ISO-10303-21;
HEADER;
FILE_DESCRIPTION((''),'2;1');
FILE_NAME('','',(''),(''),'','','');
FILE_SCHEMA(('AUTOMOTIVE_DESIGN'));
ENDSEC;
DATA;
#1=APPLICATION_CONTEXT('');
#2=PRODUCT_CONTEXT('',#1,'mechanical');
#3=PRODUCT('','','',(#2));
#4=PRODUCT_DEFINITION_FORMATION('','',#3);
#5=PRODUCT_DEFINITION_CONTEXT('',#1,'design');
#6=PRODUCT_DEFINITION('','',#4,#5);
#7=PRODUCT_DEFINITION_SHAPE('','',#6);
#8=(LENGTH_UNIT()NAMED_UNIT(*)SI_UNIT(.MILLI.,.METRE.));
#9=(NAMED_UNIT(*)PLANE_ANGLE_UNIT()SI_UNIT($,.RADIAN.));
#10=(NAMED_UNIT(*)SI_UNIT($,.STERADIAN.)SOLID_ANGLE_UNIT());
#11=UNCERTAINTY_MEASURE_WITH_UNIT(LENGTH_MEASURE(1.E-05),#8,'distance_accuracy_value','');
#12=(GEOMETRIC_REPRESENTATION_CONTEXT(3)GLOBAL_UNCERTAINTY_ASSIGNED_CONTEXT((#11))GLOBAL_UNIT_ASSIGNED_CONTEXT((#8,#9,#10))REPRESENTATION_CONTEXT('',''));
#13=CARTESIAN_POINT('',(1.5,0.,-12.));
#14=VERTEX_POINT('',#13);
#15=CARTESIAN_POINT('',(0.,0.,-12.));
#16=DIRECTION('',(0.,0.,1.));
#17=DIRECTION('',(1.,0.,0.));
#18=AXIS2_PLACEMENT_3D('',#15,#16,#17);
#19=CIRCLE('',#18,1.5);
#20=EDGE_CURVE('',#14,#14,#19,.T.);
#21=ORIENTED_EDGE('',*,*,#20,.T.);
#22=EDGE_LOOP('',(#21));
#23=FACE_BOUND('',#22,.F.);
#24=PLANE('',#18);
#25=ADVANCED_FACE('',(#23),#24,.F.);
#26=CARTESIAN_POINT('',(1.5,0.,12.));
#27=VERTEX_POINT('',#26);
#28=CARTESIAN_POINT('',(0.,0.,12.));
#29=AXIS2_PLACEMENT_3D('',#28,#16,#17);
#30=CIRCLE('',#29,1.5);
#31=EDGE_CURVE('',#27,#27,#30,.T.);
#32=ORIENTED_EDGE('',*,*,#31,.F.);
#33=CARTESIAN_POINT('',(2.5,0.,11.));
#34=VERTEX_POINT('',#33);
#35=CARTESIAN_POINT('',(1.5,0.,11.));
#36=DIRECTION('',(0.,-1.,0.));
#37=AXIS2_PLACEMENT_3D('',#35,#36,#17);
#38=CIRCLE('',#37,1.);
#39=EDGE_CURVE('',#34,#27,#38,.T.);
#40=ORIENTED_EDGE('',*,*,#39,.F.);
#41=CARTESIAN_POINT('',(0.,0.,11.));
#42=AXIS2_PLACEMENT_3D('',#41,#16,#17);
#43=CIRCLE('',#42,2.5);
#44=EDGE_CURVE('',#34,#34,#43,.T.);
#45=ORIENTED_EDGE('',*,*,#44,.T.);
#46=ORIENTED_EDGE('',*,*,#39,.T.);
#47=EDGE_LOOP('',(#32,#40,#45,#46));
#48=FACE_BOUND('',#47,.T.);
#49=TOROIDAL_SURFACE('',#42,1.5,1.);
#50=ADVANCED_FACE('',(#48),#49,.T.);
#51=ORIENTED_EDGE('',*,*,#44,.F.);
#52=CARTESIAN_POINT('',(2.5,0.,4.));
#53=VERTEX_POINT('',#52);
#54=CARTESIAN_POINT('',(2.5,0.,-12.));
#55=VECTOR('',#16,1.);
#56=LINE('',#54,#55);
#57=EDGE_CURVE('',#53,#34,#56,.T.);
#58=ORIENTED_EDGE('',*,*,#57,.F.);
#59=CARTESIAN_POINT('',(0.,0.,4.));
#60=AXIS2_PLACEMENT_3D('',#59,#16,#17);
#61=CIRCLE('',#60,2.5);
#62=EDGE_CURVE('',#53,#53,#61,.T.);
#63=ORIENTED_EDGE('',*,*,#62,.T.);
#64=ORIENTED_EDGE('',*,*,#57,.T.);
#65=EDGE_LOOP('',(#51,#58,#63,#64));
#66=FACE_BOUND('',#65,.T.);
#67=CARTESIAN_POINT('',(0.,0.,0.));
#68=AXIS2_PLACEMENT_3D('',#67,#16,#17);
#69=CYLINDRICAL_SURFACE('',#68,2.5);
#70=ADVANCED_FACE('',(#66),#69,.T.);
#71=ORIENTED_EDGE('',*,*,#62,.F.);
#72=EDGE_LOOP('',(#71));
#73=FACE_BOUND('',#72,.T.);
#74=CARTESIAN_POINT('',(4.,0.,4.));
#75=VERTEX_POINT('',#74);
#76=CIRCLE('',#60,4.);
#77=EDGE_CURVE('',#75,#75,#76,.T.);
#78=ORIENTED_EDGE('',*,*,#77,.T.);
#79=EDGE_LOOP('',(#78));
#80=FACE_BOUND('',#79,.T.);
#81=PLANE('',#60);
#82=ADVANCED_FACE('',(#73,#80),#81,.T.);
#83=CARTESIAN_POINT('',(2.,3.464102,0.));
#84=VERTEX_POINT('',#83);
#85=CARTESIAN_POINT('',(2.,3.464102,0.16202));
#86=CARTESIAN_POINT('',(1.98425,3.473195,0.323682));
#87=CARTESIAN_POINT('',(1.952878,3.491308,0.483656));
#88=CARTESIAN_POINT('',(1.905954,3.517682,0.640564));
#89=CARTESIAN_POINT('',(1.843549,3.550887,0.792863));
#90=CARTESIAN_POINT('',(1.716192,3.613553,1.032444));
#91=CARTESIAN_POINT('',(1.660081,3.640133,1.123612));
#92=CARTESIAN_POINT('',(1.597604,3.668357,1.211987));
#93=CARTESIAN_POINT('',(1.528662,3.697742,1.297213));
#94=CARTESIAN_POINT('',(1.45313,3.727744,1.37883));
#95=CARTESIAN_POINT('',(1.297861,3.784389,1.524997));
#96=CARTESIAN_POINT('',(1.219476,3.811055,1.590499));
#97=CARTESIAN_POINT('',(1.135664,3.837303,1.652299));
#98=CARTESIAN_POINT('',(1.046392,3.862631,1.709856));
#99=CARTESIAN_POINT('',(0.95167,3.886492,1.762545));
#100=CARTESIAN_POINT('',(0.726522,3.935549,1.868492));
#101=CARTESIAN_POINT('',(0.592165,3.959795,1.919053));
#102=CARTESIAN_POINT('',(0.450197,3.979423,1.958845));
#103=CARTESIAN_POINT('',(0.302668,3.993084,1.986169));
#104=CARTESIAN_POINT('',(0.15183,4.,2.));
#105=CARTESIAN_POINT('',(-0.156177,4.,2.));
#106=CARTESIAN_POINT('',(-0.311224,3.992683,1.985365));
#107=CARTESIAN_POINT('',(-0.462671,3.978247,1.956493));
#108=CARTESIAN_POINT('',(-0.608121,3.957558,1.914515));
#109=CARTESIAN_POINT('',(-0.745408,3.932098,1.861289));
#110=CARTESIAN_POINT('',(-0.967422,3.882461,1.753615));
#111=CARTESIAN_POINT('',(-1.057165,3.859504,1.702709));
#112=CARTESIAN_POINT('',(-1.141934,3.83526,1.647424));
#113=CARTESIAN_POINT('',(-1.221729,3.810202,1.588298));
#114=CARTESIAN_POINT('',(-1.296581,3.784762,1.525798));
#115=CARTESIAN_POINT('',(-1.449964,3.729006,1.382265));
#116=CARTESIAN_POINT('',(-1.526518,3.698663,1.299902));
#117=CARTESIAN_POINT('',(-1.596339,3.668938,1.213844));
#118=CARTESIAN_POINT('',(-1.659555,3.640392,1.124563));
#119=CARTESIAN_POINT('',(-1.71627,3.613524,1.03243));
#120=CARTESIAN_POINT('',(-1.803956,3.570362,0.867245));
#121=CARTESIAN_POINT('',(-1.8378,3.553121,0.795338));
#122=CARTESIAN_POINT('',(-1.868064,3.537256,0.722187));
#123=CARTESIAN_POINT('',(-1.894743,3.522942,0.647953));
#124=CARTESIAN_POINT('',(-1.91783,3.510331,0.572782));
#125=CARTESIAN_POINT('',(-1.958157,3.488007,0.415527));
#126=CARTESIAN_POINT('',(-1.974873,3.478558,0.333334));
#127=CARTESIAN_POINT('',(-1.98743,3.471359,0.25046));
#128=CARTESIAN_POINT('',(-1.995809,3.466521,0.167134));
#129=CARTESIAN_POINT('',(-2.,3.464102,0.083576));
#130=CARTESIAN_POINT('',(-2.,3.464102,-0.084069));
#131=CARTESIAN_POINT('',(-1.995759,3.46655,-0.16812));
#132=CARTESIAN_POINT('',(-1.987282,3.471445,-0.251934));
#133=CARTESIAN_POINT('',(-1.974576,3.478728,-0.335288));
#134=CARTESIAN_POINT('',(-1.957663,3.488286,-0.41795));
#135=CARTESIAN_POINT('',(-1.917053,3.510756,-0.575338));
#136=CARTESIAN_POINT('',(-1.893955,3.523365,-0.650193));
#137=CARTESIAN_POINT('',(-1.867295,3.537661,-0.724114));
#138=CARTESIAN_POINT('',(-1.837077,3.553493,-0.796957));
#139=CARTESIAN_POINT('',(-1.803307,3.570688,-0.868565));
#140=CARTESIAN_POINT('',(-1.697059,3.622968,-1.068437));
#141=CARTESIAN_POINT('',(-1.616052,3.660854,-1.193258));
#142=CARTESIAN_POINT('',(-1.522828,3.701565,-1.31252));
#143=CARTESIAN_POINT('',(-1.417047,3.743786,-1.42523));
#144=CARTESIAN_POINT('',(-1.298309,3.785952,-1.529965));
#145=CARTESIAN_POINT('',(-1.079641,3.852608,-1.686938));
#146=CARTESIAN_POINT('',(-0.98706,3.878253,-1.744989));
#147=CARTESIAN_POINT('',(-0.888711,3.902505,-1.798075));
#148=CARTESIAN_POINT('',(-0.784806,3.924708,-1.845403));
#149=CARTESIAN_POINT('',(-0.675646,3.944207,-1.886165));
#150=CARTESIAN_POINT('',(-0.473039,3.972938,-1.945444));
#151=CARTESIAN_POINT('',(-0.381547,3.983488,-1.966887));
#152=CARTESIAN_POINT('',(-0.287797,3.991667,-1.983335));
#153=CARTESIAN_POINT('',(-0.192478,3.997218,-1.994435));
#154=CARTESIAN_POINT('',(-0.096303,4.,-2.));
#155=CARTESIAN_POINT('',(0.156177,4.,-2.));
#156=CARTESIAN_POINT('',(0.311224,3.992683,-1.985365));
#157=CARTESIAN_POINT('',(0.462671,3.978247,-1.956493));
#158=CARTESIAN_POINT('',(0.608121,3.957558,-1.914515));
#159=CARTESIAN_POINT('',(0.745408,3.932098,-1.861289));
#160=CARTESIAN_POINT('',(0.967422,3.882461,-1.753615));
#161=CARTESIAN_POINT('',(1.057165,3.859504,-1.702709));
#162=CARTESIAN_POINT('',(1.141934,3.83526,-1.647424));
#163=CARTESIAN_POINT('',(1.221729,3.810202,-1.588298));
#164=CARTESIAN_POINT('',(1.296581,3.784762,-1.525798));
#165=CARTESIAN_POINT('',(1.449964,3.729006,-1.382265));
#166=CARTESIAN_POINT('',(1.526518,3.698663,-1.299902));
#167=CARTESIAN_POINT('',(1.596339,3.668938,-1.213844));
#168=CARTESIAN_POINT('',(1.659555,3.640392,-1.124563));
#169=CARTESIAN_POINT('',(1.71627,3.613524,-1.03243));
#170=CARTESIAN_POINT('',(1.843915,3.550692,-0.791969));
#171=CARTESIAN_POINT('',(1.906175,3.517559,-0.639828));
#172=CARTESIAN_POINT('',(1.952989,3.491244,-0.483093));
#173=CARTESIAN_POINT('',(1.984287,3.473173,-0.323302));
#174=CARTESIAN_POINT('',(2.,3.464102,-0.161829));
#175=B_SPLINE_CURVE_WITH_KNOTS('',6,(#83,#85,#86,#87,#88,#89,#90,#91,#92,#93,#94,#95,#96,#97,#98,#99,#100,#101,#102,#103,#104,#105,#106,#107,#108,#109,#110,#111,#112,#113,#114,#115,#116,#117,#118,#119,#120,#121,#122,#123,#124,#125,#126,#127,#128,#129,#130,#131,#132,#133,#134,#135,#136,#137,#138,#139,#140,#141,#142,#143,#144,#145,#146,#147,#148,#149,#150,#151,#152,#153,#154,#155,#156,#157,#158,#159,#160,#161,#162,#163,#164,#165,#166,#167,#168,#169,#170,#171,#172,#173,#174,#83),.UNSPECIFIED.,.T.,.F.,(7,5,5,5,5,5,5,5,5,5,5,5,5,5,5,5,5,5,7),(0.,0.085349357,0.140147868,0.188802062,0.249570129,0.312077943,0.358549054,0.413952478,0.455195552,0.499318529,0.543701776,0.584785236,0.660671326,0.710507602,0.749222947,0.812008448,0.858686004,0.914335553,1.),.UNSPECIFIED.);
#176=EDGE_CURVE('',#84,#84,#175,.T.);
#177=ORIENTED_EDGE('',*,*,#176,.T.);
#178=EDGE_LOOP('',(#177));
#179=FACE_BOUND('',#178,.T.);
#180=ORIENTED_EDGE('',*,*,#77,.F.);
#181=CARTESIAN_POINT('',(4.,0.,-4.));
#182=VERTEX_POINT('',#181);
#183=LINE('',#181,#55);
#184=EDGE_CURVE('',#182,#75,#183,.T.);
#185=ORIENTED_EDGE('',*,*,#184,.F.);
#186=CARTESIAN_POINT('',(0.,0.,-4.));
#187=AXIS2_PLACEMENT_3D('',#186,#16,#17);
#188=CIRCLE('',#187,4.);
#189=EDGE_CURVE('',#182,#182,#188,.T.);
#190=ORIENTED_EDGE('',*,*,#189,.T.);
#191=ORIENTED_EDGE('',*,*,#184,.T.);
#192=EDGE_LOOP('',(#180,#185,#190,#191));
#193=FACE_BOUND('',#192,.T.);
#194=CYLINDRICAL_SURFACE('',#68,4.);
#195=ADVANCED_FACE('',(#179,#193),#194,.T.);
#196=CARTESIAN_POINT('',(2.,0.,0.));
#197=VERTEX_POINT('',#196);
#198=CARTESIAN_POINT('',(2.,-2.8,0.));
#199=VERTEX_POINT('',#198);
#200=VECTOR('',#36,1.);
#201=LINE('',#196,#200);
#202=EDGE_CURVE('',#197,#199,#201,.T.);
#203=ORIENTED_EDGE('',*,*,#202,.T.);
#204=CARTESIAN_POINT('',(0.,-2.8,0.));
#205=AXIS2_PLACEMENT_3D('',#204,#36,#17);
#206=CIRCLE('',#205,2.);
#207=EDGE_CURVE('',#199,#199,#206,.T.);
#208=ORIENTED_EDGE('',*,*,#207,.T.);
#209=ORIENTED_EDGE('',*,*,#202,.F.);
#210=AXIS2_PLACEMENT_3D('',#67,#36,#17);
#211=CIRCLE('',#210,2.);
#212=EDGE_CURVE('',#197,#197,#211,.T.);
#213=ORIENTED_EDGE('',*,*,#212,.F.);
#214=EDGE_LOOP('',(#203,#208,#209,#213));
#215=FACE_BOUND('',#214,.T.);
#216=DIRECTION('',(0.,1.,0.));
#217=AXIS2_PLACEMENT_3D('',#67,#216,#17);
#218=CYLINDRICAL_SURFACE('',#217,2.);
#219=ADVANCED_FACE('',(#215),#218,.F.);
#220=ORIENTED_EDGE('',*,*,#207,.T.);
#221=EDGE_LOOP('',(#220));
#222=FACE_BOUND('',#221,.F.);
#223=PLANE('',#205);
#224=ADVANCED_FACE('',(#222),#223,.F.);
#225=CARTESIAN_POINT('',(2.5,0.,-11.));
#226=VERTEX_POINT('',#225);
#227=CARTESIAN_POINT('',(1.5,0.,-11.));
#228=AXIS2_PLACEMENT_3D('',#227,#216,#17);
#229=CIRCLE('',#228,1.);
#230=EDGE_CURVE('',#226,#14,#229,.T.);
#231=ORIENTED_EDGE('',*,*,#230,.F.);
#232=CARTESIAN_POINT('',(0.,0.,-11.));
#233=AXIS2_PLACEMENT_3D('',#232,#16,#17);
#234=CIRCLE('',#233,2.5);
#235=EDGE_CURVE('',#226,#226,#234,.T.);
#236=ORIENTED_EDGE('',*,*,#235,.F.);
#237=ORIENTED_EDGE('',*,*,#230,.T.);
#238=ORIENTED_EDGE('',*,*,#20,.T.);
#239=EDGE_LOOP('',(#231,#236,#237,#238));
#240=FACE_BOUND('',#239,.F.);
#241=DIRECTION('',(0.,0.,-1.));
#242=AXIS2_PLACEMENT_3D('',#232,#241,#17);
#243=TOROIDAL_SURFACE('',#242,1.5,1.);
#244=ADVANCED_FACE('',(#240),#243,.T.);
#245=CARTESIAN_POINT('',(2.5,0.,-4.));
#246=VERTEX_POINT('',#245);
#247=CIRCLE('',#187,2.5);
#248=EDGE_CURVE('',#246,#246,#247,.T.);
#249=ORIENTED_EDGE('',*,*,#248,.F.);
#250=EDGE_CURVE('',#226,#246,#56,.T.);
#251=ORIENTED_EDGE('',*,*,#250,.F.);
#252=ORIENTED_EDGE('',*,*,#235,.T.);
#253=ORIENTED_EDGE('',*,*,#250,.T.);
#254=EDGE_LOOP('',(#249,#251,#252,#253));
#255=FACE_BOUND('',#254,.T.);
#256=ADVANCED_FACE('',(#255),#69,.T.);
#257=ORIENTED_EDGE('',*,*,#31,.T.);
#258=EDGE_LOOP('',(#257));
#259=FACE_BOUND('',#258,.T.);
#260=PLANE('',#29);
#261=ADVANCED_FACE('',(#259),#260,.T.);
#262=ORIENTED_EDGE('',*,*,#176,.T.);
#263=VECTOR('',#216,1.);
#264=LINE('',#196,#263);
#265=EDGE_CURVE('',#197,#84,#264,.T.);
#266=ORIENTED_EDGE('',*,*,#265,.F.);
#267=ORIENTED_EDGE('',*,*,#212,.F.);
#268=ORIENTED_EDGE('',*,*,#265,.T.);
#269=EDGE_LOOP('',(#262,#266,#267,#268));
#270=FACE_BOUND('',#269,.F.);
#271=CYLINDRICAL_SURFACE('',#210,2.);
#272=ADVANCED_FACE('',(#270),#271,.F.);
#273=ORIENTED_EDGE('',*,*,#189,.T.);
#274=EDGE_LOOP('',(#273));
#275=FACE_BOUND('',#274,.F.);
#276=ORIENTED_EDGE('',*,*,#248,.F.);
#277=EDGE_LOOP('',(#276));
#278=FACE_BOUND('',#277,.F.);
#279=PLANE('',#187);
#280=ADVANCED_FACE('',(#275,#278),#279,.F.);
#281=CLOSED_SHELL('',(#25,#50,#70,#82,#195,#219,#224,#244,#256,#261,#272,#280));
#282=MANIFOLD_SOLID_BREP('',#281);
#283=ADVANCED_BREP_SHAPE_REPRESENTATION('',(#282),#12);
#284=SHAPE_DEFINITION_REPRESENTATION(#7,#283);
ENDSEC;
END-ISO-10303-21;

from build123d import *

# Parameters (mm, degrees)
F0_R     = 2.5
F1_DEPTH = 12
F2_DEPTH = 12
F0_R_2   = 4
F3_DEPTH = 4
F4_DEPTH = 4
F5_R     = 1
F6_R     = 2
F7_DEPTH = 4.2
F8_DEPTH = 2.8


with BuildPart() as f1:
    # F0 (on Top) → F1 (new body)
    with BuildSketch(Plane.XY):
        Circle(F0_R)
    extrude(amount=F1_DEPTH)

    # F0 (on Top) → F2 (join)
    with BuildSketch(Plane.XY):
        Circle(F0_R)
    extrude(amount=-F2_DEPTH)

    # F0 (on Top) → F3 (join)
    with BuildSketch(Plane.XY):
        Circle(F0_R_2)
        Circle(F0_R, mode=Mode.SUBTRACT)
    extrude(amount=F3_DEPTH)

    # F0 (on Top) → F4 (join)
    with BuildSketch(Plane.XY):
        Circle(F0_R_2)
        Circle(F0_R, mode=Mode.SUBTRACT)
    extrude(amount=-F4_DEPTH)

    # F5
    f5_edges = [f1.edges().sort_by_distance(p)[0] for p in [
        (-2.5, 0, 12),
        (-2.5, 0, -12),
    ]]
    fillet(f5_edges, radius=F5_R)

    # F6 (on Front) → F7 (cut)
    with BuildSketch(Plane.XZ):
        Circle(F6_R)
    extrude(amount=-F7_DEPTH, mode=Mode.SUBTRACT)

    # F6 (on Front) → F8 (cut)
    with BuildSketch(Plane.XZ):
        Circle(F6_R)
    extrude(amount=F8_DEPTH, mode=Mode.SUBTRACT)


solid = f1.part
